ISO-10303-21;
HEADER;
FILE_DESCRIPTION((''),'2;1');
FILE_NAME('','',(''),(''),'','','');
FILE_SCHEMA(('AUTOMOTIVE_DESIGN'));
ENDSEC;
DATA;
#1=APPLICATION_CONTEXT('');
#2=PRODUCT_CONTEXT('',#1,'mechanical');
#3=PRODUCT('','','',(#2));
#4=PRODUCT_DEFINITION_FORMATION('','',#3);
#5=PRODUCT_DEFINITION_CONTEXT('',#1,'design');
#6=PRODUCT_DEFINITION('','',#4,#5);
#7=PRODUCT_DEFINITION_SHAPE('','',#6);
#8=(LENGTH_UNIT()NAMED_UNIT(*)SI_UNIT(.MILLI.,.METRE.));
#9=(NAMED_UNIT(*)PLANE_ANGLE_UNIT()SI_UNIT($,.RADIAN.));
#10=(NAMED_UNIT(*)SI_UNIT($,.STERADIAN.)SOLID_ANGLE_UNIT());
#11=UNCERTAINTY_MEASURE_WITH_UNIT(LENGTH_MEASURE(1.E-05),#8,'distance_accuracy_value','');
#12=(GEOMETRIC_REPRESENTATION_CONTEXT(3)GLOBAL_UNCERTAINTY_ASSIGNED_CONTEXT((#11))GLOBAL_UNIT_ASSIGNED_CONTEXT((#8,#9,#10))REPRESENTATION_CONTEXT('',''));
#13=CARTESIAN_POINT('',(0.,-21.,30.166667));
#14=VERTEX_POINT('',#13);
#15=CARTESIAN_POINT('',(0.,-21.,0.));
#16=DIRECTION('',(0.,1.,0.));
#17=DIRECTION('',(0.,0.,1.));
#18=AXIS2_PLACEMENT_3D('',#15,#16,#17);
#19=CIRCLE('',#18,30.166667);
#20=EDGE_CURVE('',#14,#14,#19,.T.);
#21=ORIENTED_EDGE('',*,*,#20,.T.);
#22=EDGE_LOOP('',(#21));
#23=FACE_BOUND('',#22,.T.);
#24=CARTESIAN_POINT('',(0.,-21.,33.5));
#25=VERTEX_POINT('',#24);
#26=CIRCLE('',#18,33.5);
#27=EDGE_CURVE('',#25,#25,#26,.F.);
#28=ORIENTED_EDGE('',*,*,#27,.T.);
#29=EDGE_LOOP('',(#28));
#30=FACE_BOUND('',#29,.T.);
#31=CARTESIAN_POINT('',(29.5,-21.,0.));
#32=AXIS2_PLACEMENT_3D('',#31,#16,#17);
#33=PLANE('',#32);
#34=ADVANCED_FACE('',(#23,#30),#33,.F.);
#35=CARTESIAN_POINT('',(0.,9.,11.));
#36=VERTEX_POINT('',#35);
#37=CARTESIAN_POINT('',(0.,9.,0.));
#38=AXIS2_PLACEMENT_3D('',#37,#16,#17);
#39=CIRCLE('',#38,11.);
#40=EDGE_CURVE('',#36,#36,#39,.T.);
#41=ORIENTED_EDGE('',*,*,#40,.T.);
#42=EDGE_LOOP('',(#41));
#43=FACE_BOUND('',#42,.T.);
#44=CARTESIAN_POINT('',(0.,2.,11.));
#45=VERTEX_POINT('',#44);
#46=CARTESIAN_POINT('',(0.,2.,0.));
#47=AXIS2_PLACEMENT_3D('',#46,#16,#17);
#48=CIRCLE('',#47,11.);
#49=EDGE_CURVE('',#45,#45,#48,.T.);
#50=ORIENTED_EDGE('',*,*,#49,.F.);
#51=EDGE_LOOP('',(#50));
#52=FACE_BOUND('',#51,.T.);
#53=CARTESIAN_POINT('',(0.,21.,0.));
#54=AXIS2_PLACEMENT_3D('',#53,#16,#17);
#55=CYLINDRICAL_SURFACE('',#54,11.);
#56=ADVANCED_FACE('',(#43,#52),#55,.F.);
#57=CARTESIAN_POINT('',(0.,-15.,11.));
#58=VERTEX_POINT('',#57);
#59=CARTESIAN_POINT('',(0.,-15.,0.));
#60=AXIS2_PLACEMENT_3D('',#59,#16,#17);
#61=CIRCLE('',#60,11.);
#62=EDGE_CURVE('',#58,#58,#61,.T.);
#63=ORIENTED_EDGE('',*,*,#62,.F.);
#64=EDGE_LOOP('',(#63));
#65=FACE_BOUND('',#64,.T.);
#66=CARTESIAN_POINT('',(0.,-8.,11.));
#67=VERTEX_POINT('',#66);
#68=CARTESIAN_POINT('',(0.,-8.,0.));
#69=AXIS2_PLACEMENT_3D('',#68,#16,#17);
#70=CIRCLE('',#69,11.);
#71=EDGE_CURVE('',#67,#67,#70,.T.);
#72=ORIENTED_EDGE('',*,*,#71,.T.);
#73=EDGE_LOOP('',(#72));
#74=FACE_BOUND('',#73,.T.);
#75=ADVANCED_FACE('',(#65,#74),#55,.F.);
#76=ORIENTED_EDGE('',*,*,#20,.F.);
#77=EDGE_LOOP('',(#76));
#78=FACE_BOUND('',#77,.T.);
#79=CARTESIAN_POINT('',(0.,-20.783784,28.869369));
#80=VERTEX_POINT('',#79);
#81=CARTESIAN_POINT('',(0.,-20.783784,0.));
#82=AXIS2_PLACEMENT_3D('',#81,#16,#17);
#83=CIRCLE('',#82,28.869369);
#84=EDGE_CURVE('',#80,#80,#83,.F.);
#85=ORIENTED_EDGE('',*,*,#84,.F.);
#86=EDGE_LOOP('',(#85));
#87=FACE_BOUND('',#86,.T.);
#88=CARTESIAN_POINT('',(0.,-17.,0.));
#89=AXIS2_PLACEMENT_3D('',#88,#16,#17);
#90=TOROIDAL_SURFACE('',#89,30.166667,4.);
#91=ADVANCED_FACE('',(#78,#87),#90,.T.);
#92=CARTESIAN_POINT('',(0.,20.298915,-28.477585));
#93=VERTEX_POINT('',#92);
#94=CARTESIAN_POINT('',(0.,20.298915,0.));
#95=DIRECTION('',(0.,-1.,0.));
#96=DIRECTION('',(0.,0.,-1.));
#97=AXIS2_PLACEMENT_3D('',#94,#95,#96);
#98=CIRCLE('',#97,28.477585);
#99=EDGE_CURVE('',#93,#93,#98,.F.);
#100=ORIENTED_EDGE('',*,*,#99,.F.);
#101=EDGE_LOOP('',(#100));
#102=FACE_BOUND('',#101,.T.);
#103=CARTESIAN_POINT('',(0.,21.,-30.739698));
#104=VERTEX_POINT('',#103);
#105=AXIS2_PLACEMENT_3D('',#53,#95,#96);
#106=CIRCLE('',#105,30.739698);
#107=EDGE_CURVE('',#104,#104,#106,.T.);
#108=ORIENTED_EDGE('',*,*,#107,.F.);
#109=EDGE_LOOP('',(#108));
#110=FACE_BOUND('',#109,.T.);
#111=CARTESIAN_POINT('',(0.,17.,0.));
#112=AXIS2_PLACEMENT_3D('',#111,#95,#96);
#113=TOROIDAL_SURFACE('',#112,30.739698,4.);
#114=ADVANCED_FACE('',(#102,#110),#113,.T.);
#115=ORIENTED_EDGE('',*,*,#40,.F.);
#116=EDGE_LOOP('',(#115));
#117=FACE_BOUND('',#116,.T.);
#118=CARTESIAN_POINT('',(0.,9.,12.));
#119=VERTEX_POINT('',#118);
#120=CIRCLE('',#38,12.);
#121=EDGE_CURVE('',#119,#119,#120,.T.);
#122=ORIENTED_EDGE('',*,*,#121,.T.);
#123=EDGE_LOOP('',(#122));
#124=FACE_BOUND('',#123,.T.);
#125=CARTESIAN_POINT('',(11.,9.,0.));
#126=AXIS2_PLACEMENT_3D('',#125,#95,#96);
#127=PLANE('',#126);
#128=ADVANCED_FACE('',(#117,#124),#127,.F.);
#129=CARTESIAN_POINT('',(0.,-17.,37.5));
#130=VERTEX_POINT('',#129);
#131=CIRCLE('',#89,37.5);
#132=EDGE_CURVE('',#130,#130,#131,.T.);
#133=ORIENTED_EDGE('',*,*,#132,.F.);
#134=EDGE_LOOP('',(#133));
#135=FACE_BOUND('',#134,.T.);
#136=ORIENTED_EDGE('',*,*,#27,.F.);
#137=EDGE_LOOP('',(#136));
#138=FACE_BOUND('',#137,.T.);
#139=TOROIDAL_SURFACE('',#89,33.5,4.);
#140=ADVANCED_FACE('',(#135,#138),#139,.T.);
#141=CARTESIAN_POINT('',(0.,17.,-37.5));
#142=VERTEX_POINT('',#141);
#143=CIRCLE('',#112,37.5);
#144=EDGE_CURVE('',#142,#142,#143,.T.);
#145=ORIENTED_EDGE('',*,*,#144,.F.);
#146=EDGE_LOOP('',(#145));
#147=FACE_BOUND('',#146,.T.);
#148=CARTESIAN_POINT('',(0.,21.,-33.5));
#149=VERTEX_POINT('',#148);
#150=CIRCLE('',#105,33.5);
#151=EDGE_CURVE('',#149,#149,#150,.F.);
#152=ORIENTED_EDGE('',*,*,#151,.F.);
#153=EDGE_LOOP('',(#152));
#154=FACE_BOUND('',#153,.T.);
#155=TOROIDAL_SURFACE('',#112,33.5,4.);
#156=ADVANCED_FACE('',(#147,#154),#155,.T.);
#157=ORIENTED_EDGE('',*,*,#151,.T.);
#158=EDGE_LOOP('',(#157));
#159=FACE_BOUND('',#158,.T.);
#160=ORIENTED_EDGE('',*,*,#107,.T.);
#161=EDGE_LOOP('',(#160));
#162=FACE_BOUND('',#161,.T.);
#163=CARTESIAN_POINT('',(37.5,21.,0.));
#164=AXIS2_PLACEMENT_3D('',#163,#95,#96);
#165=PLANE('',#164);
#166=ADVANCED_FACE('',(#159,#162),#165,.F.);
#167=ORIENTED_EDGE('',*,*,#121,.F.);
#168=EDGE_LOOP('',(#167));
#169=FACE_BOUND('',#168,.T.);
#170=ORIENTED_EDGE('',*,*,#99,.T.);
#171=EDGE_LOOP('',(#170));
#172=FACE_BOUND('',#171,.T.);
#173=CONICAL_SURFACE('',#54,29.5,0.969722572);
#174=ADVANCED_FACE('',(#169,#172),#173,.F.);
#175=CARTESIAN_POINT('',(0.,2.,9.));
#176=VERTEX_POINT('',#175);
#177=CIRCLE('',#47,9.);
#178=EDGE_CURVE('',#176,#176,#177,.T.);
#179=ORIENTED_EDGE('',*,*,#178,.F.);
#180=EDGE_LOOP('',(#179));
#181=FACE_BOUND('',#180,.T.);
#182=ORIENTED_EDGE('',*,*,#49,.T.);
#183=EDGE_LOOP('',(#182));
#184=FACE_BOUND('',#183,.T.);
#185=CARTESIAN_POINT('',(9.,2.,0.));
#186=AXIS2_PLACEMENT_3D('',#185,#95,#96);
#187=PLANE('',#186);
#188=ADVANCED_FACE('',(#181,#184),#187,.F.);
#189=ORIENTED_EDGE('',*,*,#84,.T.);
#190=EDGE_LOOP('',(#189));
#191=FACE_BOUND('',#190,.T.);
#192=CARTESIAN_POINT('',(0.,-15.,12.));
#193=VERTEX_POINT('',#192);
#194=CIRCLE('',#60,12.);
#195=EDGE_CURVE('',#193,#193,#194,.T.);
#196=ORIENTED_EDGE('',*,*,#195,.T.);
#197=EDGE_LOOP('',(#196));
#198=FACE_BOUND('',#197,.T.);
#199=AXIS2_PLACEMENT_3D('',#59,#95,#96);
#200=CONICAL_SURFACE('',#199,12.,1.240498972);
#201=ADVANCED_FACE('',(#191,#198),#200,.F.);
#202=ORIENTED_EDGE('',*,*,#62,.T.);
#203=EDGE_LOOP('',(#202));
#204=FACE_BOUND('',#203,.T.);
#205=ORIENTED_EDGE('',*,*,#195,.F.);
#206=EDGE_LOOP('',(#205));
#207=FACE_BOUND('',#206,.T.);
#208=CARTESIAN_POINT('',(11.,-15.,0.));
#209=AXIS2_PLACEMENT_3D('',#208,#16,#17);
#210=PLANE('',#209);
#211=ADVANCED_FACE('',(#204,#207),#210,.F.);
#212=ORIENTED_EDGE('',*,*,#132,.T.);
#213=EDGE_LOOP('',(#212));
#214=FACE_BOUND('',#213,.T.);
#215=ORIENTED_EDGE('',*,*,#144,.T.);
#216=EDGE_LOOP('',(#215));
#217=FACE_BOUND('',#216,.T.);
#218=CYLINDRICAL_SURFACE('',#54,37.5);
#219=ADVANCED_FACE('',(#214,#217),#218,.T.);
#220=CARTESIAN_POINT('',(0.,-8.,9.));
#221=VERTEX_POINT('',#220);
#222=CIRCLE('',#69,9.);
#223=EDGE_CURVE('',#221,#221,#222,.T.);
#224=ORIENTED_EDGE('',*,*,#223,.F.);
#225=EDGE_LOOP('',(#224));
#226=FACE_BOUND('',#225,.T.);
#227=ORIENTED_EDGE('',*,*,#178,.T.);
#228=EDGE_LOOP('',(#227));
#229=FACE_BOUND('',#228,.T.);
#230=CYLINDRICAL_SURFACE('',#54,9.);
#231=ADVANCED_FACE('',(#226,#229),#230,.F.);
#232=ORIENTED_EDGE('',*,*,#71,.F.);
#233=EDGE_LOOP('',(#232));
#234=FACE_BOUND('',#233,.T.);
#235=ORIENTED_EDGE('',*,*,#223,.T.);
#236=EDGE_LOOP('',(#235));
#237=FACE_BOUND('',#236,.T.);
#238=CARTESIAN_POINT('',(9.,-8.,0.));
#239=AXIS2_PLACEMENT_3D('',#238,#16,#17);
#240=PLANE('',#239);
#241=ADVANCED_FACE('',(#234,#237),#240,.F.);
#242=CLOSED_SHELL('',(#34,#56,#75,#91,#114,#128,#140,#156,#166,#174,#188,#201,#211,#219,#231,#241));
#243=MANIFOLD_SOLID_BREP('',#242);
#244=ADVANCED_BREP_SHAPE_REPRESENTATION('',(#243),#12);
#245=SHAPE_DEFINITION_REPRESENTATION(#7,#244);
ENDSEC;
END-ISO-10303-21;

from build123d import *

# Parameters (mm, degrees)
FILLET1_R = 4


with BuildPart() as part:
    # Sketch1 → Revolve1 (revolve)
    with BuildSketch(Plane.XY, mode=Mode.PRIVATE) as revolve1_sk:
        Polygon((9, 2), (9, -8), (11, -8), (11, -15), (12, -15), (29.5, -21), (37.5, -21), (37.5, 21), (29.5, 21), (12, 9), (11, 9), (11, 2), align=None)
    revolve(revolve1_sk.sketch.rotate(Axis((0, 21, 0), (0, -1, 0)), 90), axis=Axis((0, 21, 0), (0, -1, 0)))

    # Fillet1
    fillet1_edges = [part.edges().sort_by_distance(p)[0] for p in [
        (0, 21, -37.5),
        (0, -21, -37.5),
        (0, -21, -29.5),
        (0, 21, -29.5),
    ]]
    fillet(fillet1_edges, radius=FILLET1_R)


solid = part.part
